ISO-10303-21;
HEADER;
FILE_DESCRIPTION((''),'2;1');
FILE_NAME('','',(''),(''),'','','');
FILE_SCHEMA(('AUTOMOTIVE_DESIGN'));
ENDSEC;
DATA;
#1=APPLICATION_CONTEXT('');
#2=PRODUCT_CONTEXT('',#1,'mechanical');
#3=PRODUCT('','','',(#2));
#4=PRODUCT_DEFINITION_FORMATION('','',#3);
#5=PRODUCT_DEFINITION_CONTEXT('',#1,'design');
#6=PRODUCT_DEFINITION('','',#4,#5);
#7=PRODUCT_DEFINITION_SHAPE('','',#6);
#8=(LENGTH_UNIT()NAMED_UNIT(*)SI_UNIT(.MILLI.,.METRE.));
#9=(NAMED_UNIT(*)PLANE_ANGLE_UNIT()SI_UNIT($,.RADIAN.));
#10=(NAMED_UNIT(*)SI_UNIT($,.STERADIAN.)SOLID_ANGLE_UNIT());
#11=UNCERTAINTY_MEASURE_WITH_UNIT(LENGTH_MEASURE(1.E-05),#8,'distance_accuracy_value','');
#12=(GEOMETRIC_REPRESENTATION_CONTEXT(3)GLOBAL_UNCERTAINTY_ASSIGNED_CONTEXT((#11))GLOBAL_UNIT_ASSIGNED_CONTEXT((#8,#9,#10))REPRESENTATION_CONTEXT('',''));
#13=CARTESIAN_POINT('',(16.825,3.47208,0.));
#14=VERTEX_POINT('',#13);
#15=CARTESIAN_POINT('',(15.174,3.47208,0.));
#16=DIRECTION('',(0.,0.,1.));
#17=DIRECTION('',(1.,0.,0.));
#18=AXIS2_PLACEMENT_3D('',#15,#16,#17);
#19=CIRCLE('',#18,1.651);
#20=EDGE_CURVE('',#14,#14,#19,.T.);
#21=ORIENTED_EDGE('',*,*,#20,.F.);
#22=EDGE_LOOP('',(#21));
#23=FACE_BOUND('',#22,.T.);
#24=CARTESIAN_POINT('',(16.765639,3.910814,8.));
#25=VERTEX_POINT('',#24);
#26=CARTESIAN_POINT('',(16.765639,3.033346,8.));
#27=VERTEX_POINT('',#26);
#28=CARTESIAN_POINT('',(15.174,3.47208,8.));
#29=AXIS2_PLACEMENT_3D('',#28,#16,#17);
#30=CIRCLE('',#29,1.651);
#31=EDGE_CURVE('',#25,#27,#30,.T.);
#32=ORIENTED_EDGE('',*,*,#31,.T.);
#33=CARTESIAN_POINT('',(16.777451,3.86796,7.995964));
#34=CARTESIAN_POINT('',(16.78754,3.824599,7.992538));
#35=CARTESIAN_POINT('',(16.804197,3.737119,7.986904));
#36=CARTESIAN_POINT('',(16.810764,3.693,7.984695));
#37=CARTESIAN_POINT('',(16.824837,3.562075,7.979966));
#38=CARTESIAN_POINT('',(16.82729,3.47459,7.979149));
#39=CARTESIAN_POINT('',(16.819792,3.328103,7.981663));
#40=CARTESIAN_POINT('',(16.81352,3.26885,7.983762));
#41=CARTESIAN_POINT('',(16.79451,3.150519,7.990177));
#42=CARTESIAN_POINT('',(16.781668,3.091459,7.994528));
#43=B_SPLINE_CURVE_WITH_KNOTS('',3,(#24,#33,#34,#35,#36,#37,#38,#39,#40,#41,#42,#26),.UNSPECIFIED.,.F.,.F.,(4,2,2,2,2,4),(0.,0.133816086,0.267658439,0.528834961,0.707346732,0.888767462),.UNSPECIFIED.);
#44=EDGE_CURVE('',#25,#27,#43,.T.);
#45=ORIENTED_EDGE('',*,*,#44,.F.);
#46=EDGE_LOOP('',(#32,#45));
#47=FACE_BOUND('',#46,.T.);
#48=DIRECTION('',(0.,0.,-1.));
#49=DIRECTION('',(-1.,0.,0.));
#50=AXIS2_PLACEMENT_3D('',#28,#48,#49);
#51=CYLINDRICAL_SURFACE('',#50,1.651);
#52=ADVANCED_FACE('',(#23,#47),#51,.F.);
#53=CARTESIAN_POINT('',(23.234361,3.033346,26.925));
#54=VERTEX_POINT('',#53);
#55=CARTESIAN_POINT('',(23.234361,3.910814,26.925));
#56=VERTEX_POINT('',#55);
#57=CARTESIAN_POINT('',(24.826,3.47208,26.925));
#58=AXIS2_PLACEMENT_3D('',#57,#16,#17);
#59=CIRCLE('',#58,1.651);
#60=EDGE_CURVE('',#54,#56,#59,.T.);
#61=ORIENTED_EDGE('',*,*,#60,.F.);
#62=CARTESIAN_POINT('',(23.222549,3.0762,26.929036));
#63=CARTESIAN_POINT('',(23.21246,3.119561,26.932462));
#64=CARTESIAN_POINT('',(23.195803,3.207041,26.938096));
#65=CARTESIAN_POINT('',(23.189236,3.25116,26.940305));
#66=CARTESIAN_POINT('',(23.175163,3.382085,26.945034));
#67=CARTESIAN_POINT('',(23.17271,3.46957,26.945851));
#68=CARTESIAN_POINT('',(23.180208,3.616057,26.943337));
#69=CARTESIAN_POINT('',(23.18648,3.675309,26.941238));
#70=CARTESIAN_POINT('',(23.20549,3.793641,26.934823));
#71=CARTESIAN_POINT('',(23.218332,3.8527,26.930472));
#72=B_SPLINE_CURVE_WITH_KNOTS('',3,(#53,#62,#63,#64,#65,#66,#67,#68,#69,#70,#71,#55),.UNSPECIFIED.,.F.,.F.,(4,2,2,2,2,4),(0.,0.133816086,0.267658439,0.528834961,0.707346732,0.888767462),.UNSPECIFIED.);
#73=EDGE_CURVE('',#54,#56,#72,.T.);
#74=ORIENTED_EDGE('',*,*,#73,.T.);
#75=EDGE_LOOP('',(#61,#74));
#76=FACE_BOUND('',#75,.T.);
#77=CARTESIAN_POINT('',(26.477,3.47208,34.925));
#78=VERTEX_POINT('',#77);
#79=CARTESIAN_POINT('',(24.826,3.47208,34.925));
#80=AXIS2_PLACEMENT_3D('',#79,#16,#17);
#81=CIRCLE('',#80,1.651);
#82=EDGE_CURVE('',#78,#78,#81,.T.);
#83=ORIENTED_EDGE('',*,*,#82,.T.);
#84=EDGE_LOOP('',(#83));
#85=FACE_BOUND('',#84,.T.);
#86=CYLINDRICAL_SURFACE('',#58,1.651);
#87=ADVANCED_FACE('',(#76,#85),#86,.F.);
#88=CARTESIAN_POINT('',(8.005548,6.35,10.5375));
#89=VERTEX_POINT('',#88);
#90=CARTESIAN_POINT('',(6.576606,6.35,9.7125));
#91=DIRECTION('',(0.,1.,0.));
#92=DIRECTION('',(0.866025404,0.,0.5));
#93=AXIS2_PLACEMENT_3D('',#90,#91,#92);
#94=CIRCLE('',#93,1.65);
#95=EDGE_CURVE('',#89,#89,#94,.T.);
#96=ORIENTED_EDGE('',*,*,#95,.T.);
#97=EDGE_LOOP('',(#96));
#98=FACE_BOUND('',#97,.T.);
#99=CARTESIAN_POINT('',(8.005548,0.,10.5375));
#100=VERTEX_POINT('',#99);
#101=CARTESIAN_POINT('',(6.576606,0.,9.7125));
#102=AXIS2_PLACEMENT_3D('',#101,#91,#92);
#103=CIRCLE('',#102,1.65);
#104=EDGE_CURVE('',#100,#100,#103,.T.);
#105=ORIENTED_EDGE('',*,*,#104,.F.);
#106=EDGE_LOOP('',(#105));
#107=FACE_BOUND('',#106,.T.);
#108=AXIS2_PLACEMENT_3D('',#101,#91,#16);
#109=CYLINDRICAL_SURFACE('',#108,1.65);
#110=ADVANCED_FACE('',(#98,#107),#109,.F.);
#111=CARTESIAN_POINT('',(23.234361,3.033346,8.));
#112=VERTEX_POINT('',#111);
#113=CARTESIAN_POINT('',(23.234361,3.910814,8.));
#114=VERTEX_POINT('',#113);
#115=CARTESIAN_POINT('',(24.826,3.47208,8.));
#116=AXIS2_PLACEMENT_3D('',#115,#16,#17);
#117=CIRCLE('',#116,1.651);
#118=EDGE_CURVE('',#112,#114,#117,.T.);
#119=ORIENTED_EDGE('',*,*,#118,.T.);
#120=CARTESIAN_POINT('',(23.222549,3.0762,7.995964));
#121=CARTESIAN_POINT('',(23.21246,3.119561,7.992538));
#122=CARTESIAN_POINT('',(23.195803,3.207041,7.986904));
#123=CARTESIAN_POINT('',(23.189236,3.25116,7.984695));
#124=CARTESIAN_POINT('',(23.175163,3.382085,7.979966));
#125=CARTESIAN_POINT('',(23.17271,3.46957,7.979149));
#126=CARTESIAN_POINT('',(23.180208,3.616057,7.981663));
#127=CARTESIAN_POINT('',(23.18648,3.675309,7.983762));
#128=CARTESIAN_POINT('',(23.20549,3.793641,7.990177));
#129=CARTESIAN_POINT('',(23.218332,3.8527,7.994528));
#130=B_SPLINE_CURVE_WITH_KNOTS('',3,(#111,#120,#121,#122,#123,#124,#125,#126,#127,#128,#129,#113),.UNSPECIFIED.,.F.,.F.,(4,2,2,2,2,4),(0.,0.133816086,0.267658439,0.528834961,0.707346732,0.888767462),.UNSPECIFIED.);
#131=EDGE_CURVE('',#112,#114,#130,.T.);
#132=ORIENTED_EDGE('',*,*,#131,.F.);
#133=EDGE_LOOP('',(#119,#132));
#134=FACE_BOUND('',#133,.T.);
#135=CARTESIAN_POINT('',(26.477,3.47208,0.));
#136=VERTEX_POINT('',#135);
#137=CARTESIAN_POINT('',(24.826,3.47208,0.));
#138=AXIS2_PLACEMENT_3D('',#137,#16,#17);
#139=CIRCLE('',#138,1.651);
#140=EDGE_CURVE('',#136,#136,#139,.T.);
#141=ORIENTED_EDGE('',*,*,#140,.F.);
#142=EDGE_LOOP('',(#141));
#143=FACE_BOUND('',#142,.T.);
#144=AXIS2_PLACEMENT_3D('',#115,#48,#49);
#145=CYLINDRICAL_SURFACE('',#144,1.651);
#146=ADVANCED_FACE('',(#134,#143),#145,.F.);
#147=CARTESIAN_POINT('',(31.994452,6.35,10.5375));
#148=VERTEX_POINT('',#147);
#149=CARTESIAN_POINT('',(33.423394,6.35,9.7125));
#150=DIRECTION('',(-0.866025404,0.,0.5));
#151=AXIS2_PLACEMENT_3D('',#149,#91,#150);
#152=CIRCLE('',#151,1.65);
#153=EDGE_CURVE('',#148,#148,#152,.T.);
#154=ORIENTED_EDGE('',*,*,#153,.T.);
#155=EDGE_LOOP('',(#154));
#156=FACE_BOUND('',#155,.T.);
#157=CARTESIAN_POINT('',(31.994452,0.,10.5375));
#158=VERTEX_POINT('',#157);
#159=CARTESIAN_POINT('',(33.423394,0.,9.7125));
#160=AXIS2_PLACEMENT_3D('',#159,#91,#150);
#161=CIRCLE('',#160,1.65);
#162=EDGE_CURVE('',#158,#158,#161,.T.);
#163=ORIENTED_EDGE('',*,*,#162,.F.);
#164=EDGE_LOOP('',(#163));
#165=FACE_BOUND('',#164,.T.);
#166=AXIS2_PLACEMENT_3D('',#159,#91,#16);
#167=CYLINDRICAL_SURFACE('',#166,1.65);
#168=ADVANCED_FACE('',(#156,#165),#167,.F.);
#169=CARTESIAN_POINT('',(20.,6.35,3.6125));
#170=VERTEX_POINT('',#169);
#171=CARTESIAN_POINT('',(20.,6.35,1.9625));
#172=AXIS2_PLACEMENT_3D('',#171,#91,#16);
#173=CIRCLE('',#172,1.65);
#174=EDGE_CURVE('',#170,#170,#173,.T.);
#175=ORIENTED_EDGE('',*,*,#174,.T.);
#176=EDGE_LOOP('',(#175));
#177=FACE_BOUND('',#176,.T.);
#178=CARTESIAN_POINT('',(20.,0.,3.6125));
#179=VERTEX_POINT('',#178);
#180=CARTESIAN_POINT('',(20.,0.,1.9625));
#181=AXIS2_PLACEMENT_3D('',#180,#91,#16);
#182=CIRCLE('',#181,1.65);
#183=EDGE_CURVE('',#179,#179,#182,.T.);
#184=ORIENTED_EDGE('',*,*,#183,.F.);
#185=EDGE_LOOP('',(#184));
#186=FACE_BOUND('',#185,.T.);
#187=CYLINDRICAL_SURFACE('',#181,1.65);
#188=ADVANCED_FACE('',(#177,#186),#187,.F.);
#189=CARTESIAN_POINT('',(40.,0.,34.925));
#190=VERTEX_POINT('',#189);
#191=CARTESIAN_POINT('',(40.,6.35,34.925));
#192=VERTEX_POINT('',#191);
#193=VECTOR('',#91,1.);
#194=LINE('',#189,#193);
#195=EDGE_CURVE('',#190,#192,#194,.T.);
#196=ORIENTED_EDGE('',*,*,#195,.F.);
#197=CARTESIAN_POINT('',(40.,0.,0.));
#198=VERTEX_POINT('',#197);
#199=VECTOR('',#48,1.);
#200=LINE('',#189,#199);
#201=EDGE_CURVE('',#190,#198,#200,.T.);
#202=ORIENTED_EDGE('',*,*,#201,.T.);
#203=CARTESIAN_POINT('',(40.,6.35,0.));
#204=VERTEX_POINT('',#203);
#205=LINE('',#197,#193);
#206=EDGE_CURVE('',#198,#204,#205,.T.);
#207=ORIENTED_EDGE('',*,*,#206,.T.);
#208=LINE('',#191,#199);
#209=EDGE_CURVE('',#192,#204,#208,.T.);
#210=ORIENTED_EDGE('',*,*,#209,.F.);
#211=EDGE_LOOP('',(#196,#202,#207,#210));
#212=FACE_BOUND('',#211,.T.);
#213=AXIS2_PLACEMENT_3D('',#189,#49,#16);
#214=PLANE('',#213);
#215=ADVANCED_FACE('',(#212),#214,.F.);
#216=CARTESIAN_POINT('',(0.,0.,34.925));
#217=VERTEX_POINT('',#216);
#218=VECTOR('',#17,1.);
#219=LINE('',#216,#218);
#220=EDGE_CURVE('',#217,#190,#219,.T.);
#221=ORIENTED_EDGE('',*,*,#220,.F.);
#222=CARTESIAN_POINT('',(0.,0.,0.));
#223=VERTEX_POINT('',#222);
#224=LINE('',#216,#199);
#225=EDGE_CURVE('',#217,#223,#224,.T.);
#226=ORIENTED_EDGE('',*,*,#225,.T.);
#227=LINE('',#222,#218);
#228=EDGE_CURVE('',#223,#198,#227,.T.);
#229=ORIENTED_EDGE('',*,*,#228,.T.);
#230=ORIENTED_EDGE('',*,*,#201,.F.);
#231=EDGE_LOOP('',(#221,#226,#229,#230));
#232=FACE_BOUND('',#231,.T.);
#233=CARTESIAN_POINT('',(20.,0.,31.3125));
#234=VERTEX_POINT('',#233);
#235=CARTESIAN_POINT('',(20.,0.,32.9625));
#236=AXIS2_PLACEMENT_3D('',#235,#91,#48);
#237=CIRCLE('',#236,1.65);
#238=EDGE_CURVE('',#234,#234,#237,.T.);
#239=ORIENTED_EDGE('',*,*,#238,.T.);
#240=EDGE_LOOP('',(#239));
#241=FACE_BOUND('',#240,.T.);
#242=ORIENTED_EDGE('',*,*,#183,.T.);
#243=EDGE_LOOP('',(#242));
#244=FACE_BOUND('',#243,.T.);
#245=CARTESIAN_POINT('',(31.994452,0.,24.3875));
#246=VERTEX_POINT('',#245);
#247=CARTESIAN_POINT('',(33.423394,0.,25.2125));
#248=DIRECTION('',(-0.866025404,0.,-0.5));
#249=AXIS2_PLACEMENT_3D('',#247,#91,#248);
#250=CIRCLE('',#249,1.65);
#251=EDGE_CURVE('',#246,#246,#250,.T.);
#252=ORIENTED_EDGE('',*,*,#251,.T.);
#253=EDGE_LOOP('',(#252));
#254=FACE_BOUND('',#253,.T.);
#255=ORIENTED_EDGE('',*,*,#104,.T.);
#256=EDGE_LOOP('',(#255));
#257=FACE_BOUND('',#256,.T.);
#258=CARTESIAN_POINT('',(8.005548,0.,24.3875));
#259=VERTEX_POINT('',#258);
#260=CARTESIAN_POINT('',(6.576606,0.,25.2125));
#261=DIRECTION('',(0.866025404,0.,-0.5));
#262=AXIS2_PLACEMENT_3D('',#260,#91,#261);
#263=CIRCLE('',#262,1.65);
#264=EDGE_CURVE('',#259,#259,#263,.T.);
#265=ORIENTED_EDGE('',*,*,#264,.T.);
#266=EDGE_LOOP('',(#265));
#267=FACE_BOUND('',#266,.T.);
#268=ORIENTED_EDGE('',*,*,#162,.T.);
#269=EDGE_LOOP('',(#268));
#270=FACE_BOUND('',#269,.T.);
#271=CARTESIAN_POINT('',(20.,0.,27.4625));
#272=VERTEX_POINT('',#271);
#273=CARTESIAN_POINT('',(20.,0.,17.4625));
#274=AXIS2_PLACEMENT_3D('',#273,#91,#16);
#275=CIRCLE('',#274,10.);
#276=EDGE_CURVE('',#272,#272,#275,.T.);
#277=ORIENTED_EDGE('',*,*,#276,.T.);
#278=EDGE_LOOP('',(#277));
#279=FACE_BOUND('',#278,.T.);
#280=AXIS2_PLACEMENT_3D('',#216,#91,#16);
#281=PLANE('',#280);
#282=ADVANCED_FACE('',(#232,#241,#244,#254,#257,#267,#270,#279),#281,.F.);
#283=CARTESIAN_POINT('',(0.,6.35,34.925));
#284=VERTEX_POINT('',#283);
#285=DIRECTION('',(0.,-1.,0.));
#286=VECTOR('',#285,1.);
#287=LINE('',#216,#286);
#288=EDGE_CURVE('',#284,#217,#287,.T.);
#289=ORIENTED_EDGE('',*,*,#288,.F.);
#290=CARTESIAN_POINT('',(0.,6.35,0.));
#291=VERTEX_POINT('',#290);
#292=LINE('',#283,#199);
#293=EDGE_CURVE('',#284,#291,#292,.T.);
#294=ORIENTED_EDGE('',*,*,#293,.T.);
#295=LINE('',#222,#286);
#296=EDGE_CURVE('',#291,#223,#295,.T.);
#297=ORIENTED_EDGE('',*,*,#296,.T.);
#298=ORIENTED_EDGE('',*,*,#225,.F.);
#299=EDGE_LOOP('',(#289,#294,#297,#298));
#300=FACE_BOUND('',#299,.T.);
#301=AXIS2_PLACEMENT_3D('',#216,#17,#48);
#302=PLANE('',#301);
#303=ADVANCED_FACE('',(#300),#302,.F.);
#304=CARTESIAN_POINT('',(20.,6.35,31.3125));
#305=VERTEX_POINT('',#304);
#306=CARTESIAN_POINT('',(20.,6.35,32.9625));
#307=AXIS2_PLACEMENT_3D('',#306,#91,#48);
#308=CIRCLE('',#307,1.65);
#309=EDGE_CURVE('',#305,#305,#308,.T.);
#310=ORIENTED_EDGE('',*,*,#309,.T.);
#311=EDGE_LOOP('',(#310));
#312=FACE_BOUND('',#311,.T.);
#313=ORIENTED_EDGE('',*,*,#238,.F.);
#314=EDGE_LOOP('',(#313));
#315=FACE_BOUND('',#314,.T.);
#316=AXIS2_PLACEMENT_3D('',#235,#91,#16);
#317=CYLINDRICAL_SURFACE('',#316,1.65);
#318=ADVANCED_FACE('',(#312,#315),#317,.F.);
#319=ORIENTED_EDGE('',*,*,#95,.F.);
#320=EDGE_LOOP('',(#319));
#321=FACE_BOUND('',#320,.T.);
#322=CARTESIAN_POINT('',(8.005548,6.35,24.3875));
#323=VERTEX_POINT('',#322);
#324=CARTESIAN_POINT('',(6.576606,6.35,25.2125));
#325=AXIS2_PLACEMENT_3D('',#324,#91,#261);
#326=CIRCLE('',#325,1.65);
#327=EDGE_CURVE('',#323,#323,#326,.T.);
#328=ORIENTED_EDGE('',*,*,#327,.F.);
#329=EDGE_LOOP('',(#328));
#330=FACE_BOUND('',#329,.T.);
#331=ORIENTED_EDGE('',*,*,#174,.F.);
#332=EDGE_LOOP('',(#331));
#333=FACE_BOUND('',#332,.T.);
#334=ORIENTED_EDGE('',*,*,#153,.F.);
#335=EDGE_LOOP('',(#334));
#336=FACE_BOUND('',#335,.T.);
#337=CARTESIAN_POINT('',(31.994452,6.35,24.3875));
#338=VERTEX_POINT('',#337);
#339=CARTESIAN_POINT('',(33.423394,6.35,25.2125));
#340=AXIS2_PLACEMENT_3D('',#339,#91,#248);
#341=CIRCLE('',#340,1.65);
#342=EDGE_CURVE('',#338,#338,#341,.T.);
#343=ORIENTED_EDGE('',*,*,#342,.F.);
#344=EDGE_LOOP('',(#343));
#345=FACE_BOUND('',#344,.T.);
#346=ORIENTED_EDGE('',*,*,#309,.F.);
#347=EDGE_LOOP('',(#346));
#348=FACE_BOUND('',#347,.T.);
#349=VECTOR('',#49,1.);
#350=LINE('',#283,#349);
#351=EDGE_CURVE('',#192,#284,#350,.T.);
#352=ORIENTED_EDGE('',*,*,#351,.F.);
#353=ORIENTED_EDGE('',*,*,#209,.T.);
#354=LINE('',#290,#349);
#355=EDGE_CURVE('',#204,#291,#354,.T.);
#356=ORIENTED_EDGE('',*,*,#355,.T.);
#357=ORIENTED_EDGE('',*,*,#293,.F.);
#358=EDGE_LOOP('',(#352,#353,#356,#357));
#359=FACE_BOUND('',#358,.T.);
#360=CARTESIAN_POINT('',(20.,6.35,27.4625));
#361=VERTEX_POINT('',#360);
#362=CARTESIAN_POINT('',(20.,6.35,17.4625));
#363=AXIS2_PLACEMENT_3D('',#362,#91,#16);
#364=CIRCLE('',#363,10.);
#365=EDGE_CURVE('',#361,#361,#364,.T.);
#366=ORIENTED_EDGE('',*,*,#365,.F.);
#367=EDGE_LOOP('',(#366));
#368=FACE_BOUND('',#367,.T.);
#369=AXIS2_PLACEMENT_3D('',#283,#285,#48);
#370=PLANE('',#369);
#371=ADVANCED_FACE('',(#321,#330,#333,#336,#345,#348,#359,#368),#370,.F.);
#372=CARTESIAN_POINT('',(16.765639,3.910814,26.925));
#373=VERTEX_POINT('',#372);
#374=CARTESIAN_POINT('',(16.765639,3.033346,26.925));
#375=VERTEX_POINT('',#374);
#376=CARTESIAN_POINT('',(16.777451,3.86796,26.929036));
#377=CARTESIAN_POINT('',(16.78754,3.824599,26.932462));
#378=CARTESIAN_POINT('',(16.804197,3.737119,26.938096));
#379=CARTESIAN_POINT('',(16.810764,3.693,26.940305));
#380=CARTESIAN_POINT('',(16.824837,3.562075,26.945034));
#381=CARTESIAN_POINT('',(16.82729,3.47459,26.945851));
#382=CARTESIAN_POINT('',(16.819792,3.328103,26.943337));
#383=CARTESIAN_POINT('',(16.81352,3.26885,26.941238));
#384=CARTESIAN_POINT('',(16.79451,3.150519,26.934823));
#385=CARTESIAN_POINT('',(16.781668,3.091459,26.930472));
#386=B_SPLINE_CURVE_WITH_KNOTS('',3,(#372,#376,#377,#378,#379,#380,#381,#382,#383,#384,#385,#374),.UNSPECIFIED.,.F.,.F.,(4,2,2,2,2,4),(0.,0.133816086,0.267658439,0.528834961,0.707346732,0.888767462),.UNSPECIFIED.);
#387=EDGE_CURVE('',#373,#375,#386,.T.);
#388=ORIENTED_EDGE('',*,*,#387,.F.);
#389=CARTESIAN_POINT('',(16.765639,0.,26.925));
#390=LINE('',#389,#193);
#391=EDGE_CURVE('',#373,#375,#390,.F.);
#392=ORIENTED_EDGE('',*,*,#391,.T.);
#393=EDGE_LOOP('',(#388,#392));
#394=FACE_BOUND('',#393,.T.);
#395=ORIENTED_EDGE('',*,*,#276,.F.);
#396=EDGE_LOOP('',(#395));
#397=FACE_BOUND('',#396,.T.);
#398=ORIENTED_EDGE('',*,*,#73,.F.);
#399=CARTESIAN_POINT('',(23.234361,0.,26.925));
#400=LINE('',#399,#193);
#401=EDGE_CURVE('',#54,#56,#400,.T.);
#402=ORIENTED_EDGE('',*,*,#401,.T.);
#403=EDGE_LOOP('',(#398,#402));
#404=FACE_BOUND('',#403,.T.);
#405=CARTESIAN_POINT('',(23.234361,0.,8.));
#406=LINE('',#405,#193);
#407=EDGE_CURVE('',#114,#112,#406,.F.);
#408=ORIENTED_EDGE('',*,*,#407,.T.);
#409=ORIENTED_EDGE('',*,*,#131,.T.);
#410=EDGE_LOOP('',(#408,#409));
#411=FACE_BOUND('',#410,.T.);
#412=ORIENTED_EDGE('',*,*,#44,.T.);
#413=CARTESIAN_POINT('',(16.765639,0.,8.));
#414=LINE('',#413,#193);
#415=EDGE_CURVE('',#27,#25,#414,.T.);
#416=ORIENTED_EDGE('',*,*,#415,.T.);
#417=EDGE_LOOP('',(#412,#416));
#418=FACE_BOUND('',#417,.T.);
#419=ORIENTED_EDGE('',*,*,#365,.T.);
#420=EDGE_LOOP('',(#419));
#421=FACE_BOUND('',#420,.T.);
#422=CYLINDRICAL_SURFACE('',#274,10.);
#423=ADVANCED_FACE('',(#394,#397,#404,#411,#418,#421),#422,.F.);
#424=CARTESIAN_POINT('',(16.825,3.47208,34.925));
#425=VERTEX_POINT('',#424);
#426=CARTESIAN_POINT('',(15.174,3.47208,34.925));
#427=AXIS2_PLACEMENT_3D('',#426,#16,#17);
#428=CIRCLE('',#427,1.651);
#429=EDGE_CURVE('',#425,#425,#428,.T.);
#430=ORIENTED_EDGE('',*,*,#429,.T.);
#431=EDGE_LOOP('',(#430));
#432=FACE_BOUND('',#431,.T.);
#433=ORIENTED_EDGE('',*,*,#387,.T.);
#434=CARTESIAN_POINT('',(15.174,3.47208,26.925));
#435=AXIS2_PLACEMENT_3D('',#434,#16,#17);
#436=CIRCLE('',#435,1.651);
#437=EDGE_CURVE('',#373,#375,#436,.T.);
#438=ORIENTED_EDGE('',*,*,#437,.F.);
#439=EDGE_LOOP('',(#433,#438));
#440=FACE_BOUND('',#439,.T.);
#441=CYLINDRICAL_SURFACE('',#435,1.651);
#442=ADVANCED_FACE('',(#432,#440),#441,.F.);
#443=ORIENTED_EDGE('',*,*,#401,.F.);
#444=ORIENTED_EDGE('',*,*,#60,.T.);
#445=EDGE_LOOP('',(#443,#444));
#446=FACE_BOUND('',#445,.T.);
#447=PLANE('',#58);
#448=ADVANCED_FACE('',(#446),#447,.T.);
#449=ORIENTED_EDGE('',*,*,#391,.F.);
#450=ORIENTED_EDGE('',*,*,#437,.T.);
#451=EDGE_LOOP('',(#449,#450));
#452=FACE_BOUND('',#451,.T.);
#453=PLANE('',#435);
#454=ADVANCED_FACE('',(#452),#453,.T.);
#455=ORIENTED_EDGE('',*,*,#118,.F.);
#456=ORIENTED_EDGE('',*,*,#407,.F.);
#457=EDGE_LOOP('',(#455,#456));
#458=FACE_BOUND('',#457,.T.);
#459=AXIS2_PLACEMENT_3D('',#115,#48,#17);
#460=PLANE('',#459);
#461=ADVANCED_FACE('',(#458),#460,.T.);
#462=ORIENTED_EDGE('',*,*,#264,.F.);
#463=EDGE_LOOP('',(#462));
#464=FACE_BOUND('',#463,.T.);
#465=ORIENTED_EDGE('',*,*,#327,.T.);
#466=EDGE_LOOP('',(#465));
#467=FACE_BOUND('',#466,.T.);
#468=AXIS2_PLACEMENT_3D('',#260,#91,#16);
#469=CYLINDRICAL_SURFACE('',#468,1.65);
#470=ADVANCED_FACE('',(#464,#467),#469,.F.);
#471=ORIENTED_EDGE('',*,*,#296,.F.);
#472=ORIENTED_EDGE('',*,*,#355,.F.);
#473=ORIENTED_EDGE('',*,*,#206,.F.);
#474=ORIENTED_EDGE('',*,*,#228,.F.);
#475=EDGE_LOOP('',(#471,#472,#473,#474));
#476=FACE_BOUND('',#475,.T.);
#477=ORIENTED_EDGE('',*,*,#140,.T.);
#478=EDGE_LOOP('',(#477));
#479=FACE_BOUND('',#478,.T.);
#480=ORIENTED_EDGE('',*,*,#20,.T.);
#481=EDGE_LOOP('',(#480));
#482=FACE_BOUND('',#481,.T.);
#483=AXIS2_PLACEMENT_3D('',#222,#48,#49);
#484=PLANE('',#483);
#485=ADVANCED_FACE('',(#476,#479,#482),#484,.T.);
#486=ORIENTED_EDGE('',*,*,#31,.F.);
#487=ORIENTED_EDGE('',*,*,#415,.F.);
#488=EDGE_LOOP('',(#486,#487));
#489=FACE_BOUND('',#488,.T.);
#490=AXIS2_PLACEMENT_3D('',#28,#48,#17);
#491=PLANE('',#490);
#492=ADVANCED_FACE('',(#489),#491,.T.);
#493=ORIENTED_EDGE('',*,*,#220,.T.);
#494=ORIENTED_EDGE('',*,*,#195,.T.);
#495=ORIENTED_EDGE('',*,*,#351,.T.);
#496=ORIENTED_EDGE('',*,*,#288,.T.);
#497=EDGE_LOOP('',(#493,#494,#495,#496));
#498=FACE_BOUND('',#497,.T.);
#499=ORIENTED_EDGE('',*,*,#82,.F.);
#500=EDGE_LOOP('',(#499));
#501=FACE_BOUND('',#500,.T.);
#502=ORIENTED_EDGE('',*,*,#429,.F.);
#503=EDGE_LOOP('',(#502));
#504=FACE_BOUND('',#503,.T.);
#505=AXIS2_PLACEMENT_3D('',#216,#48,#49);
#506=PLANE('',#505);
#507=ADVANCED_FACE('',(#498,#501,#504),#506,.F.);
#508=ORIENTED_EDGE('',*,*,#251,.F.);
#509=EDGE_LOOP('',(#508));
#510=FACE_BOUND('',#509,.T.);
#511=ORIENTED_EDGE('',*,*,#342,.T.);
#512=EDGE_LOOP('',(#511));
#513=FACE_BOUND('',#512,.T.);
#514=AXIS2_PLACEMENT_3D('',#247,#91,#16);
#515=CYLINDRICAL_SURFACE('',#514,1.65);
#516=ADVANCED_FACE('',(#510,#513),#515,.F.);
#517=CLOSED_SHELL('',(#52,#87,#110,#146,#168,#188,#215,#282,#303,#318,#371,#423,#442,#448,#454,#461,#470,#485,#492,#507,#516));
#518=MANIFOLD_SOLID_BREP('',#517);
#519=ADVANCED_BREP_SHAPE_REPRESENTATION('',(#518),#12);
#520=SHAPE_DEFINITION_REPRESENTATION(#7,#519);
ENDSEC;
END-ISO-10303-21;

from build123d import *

# Parameters (mm, degrees)
SKETCH1_W           = 40
SKETCH1_H           = 6.35
BOSS_EXTRUDE1_DEPTH = 34.925
SKETCH2_R           = 1.651
CUT_EXTRUDE1_DEPTH  = 8
SKETCH3_R           = 10
CUT_EXTRUDE2_DEPTH  = 54.479698251
SKETCH4_R           = 1.65
CUT_EXTRUDE3_DEPTH  = 54.479698328
CIRPATTERN1_COUNT   = 6


with BuildPart() as part:
    # Sketch1 → Boss-Extrude1 (new body)
    with BuildSketch(Plane.XY):
        with Locations((20, 3.175)):
            Rectangle(SKETCH1_W, SKETCH1_H)
    extrude(amount=BOSS_EXTRUDE1_DEPTH)

    # Sketch2 → Cut-Extrude1 (cut)
    with BuildSketch(Plane.XY.offset(34.925)):
        with Locations((15.174, 3.472079932)):
            Circle(SKETCH2_R)
        with Locations((24.826, 3.472079932)):
            Circle(SKETCH2_R)
    cut_extrude1 = extrude(amount=-CUT_EXTRUDE1_DEPTH, mode=Mode.SUBTRACT)

    # Mirror1: Cut-Extrude1 across plane
    add(cut_extrude1.mirror(Plane.XY.offset(17.4625)), mode=Mode.SUBTRACT)

    # Sketch3 → Cut-Extrude2 (cut, through all)
    with BuildSketch(Plane(origin=(0, 6.35, 0), x_dir=(1, 0, 0), z_dir=(0, 1, 0))):
        with Locations(Location((20, -17.4625, 0), (0, 0, 270))):
            Circle(SKETCH3_R)
    extrude(amount=-CUT_EXTRUDE2_DEPTH, mode=Mode.SUBTRACT)

    # Sketch4 → Cut-Extrude3 (cut, through all)
    with BuildSketch(Plane(origin=(0, 6.35, 0), x_dir=(1, 0, 0), z_dir=(0, 1, 0))):
        with Locations(Location((20, -1.9625, 0), (0, 0, 270))):
            Circle(SKETCH4_R)
    cut_extrude3 = extrude(amount=-CUT_EXTRUDE3_DEPTH, mode=Mode.SUBTRACT)

    # CirPattern1: Cut-Extrude3 ×6 about axis
    cirpattern1_axis = Axis((20, 0, 17.4625), (0, 1, 0))
    for i in range(1, CIRPATTERN1_COUNT):
        add(cut_extrude3.rotate(cirpattern1_axis, i * 360 / CIRPATTERN1_COUNT), mode=Mode.SUBTRACT)


solid = part.part
